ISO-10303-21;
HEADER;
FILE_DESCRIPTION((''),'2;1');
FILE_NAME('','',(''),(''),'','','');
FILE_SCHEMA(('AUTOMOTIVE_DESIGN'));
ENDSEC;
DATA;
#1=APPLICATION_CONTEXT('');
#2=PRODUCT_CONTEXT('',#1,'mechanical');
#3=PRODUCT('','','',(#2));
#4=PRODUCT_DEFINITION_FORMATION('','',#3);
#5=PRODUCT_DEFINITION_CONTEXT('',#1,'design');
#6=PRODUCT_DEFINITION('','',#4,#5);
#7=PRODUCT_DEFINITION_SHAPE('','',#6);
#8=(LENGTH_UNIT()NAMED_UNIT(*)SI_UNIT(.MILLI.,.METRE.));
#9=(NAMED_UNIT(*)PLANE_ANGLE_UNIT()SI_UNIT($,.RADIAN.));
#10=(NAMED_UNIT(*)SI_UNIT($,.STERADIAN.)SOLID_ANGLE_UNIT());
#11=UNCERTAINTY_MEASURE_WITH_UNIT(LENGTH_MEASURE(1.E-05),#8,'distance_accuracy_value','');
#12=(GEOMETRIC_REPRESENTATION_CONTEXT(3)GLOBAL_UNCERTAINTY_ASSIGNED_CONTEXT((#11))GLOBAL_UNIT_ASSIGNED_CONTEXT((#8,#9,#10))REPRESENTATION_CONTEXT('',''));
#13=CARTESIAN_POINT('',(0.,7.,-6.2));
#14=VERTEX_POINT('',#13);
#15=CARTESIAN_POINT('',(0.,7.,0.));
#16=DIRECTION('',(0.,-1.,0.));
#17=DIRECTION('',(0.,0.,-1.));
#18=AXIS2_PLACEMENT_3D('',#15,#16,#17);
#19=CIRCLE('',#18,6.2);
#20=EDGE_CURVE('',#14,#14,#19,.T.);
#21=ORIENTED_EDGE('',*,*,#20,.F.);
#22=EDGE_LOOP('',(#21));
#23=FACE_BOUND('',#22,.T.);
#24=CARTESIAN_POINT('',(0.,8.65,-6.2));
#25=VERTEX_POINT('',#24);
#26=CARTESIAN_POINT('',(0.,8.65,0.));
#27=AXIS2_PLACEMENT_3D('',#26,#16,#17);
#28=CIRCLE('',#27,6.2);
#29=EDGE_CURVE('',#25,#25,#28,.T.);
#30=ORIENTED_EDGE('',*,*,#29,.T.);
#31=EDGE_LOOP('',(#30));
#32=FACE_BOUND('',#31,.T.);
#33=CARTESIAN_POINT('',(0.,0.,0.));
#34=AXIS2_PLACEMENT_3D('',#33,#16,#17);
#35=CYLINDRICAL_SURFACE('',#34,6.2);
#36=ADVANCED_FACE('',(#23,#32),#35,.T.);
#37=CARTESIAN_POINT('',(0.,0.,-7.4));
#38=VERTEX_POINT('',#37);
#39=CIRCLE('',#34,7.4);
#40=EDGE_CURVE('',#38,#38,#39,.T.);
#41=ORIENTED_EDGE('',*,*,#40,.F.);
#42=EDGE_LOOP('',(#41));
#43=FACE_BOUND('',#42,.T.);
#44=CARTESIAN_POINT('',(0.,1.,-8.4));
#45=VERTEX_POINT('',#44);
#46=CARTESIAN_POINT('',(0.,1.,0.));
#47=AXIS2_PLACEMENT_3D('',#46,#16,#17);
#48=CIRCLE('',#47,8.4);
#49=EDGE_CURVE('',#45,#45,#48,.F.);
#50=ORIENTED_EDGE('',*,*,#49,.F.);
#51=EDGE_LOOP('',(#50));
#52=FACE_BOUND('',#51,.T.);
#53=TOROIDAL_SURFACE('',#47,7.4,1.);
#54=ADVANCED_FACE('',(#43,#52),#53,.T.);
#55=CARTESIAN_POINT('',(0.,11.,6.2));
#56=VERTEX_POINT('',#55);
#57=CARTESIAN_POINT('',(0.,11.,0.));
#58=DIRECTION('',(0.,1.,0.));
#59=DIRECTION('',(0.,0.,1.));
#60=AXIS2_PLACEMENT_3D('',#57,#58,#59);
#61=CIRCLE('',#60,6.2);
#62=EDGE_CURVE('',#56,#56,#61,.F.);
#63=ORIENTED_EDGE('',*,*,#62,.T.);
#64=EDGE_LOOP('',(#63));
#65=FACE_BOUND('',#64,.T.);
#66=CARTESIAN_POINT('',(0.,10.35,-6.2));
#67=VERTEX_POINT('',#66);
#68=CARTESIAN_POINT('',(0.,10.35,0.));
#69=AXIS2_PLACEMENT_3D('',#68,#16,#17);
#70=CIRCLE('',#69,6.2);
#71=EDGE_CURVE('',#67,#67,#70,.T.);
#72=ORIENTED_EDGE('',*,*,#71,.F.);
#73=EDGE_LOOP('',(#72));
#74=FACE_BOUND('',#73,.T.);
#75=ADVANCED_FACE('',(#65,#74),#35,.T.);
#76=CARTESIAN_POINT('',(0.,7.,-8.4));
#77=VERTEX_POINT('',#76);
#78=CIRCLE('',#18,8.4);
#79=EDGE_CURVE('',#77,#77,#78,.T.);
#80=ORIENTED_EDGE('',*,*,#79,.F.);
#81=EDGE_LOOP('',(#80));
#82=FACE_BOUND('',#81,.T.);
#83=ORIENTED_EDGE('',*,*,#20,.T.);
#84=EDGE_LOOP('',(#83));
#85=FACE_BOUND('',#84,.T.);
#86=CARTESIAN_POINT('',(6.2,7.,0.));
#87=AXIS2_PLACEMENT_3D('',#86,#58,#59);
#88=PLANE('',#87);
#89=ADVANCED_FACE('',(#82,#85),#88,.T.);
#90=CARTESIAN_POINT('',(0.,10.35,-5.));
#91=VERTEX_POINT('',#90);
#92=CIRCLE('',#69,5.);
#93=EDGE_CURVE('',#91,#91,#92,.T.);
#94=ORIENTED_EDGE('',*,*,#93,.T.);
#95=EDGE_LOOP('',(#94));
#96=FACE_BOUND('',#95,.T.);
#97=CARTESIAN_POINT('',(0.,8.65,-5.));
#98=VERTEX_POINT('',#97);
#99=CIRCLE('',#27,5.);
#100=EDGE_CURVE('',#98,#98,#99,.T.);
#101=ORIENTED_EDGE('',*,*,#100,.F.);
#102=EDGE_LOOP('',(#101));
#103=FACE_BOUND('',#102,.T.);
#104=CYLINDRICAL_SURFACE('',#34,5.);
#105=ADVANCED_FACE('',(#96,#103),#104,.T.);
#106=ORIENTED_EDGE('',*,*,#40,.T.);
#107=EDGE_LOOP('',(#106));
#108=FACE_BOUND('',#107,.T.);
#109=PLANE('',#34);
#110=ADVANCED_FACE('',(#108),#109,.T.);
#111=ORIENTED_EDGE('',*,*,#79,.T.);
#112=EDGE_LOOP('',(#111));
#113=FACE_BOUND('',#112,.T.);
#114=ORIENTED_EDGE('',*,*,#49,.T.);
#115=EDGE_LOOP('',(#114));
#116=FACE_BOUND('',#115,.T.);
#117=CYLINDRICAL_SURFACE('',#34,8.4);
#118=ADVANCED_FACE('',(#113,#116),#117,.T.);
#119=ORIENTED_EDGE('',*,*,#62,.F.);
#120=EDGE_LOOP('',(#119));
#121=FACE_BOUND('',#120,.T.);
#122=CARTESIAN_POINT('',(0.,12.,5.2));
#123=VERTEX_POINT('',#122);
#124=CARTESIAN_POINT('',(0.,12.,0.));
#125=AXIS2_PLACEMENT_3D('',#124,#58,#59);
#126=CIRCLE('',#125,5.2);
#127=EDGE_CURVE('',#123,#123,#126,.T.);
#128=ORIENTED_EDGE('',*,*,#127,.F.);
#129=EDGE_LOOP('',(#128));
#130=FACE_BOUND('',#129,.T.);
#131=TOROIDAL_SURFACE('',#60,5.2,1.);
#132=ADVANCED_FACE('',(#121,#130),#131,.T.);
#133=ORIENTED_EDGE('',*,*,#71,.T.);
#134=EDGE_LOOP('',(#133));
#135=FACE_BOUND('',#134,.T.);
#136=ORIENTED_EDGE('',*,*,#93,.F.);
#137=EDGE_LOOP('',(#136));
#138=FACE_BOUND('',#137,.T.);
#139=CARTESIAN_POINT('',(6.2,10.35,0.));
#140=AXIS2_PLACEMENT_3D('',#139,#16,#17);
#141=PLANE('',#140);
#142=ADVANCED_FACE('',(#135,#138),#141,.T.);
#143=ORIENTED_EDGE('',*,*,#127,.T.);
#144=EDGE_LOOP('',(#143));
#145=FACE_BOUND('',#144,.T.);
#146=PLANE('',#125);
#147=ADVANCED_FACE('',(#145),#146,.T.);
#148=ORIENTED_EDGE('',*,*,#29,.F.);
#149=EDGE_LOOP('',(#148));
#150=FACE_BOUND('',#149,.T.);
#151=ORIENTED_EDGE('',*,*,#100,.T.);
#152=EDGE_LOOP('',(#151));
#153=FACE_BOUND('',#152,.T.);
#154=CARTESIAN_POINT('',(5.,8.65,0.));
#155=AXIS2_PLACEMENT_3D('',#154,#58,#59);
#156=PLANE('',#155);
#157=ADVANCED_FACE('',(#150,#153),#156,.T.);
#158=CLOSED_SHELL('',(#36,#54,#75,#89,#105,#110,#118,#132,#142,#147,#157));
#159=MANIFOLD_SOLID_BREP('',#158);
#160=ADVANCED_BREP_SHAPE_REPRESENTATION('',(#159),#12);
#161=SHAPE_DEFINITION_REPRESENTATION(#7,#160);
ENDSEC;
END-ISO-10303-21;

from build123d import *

# Parameters (mm, degrees)
FILLET1_R = 1
FILLET2_R = 1


with BuildPart() as part:
    # Sketch1 → Revolve1 (revolve)
    with BuildSketch(Plane.XY):
        Polygon((0, 0), (0, 12), (6.2, 12), (6.2, 10.35), (5, 10.35), (5, 8.65), (6.2, 8.65), (6.2, 7), (8.4, 7), (8.4, 0), align=None)
    revolve(axis=Axis((0, 0, 0), (0, 1, 0)))

    # Fillet1
    fillet1_edges = [part.edges().sort_by_distance(p)[0] for p in [
        (-6.2, 12, 0),
    ]]
    fillet(fillet1_edges, radius=FILLET1_R)

    # Fillet2
    fillet2_edges = [part.edges().sort_by_distance(p)[0] for p in [
        (-8.4, 0, 0),
    ]]
    fillet(fillet2_edges, radius=FILLET2_R)


solid = part.part
